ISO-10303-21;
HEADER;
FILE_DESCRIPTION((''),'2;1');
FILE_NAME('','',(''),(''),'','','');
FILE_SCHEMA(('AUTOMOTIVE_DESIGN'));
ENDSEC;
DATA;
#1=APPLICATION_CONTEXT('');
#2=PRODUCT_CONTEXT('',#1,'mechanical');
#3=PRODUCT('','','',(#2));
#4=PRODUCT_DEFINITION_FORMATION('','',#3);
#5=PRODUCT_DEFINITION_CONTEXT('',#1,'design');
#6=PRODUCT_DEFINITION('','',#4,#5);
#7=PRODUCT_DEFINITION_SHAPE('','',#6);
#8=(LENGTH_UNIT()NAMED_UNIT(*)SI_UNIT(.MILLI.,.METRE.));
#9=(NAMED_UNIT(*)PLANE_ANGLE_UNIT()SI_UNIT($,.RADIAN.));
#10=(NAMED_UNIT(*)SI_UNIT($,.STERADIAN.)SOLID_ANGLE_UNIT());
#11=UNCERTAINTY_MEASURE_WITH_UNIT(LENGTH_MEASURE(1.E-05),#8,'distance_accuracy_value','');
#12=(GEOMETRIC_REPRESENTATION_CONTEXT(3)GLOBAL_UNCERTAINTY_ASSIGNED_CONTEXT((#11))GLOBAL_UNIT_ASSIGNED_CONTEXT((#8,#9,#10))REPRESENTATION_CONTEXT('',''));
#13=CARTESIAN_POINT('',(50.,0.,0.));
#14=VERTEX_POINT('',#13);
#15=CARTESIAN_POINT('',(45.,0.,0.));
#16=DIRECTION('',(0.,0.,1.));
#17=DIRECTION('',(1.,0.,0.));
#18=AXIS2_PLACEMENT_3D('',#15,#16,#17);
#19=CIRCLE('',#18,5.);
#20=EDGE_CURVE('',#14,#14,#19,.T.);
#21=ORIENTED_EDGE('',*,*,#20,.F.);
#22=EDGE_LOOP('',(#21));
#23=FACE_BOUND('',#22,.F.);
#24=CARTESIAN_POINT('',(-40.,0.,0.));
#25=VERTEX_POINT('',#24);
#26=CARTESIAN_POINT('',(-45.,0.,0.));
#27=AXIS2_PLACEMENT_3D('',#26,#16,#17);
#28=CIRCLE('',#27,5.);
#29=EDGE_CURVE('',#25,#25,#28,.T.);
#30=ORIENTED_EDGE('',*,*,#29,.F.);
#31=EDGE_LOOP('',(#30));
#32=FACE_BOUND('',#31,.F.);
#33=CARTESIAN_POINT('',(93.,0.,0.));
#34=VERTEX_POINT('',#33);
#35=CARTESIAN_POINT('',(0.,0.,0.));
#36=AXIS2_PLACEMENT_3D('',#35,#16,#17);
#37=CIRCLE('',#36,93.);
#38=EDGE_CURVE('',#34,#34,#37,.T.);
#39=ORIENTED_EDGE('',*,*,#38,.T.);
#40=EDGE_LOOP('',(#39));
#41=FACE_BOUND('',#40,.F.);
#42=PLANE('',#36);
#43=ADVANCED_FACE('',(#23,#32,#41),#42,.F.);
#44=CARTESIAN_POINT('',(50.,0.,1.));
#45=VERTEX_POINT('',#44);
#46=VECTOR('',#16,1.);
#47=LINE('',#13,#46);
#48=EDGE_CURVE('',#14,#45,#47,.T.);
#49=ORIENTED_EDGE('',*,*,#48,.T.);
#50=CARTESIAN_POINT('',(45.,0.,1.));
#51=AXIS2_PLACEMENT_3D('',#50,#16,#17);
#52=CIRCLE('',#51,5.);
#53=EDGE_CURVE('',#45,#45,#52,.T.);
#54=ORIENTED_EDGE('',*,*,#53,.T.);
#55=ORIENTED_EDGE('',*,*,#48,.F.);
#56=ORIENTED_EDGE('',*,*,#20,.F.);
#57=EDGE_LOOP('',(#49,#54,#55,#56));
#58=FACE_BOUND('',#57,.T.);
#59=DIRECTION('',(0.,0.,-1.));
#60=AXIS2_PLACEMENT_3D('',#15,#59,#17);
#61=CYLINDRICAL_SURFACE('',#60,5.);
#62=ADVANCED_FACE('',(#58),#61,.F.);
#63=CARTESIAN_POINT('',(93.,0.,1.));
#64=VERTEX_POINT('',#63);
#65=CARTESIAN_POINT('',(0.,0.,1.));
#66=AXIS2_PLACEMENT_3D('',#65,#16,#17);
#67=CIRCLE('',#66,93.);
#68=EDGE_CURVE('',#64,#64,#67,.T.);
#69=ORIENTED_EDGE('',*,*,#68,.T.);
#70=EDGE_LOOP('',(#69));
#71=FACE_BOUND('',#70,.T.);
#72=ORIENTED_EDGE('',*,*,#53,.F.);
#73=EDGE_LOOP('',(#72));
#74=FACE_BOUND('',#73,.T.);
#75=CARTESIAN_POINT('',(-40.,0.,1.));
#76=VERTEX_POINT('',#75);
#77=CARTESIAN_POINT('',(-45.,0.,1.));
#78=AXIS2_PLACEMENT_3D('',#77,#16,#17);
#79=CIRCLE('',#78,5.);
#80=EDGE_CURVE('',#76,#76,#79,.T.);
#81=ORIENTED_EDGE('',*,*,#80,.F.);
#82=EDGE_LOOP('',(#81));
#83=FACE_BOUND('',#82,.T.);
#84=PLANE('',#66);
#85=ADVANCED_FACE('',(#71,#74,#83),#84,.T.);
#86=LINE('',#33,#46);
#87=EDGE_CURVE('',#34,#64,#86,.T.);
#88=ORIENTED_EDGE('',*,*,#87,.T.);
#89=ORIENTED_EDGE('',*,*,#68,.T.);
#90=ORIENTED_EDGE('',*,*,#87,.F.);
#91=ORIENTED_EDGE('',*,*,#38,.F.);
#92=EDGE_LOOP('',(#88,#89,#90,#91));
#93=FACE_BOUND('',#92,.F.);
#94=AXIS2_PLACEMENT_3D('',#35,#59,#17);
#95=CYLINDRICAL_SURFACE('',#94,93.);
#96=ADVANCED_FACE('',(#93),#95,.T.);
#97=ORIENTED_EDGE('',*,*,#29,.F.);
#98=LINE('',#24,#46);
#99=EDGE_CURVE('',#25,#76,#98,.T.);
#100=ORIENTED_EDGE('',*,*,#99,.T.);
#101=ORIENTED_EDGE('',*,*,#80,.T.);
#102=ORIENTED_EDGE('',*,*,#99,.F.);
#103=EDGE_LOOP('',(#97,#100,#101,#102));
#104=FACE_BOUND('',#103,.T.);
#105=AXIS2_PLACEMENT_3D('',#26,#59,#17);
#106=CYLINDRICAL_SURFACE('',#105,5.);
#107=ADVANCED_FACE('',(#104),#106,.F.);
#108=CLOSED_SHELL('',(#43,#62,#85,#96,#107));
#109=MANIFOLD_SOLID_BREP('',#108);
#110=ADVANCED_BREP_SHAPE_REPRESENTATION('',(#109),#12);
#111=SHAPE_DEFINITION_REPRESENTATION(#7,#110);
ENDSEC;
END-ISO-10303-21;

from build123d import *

# Parameters (mm, degrees)
SKETCH_R   = 93
SKETCH_R_2 = 5
PAD_DEPTH  = 1


with BuildPart() as part:
    # Sketch → Pad (new body)
    with BuildSketch(Plane.XY):
        Circle(SKETCH_R)
        with Locations((-45, 0)):
            Circle(SKETCH_R_2, mode=Mode.SUBTRACT)
        with Locations((45, 0)):
            Circle(SKETCH_R_2, mode=Mode.SUBTRACT)
    extrude(amount=PAD_DEPTH)


solid = part.part
